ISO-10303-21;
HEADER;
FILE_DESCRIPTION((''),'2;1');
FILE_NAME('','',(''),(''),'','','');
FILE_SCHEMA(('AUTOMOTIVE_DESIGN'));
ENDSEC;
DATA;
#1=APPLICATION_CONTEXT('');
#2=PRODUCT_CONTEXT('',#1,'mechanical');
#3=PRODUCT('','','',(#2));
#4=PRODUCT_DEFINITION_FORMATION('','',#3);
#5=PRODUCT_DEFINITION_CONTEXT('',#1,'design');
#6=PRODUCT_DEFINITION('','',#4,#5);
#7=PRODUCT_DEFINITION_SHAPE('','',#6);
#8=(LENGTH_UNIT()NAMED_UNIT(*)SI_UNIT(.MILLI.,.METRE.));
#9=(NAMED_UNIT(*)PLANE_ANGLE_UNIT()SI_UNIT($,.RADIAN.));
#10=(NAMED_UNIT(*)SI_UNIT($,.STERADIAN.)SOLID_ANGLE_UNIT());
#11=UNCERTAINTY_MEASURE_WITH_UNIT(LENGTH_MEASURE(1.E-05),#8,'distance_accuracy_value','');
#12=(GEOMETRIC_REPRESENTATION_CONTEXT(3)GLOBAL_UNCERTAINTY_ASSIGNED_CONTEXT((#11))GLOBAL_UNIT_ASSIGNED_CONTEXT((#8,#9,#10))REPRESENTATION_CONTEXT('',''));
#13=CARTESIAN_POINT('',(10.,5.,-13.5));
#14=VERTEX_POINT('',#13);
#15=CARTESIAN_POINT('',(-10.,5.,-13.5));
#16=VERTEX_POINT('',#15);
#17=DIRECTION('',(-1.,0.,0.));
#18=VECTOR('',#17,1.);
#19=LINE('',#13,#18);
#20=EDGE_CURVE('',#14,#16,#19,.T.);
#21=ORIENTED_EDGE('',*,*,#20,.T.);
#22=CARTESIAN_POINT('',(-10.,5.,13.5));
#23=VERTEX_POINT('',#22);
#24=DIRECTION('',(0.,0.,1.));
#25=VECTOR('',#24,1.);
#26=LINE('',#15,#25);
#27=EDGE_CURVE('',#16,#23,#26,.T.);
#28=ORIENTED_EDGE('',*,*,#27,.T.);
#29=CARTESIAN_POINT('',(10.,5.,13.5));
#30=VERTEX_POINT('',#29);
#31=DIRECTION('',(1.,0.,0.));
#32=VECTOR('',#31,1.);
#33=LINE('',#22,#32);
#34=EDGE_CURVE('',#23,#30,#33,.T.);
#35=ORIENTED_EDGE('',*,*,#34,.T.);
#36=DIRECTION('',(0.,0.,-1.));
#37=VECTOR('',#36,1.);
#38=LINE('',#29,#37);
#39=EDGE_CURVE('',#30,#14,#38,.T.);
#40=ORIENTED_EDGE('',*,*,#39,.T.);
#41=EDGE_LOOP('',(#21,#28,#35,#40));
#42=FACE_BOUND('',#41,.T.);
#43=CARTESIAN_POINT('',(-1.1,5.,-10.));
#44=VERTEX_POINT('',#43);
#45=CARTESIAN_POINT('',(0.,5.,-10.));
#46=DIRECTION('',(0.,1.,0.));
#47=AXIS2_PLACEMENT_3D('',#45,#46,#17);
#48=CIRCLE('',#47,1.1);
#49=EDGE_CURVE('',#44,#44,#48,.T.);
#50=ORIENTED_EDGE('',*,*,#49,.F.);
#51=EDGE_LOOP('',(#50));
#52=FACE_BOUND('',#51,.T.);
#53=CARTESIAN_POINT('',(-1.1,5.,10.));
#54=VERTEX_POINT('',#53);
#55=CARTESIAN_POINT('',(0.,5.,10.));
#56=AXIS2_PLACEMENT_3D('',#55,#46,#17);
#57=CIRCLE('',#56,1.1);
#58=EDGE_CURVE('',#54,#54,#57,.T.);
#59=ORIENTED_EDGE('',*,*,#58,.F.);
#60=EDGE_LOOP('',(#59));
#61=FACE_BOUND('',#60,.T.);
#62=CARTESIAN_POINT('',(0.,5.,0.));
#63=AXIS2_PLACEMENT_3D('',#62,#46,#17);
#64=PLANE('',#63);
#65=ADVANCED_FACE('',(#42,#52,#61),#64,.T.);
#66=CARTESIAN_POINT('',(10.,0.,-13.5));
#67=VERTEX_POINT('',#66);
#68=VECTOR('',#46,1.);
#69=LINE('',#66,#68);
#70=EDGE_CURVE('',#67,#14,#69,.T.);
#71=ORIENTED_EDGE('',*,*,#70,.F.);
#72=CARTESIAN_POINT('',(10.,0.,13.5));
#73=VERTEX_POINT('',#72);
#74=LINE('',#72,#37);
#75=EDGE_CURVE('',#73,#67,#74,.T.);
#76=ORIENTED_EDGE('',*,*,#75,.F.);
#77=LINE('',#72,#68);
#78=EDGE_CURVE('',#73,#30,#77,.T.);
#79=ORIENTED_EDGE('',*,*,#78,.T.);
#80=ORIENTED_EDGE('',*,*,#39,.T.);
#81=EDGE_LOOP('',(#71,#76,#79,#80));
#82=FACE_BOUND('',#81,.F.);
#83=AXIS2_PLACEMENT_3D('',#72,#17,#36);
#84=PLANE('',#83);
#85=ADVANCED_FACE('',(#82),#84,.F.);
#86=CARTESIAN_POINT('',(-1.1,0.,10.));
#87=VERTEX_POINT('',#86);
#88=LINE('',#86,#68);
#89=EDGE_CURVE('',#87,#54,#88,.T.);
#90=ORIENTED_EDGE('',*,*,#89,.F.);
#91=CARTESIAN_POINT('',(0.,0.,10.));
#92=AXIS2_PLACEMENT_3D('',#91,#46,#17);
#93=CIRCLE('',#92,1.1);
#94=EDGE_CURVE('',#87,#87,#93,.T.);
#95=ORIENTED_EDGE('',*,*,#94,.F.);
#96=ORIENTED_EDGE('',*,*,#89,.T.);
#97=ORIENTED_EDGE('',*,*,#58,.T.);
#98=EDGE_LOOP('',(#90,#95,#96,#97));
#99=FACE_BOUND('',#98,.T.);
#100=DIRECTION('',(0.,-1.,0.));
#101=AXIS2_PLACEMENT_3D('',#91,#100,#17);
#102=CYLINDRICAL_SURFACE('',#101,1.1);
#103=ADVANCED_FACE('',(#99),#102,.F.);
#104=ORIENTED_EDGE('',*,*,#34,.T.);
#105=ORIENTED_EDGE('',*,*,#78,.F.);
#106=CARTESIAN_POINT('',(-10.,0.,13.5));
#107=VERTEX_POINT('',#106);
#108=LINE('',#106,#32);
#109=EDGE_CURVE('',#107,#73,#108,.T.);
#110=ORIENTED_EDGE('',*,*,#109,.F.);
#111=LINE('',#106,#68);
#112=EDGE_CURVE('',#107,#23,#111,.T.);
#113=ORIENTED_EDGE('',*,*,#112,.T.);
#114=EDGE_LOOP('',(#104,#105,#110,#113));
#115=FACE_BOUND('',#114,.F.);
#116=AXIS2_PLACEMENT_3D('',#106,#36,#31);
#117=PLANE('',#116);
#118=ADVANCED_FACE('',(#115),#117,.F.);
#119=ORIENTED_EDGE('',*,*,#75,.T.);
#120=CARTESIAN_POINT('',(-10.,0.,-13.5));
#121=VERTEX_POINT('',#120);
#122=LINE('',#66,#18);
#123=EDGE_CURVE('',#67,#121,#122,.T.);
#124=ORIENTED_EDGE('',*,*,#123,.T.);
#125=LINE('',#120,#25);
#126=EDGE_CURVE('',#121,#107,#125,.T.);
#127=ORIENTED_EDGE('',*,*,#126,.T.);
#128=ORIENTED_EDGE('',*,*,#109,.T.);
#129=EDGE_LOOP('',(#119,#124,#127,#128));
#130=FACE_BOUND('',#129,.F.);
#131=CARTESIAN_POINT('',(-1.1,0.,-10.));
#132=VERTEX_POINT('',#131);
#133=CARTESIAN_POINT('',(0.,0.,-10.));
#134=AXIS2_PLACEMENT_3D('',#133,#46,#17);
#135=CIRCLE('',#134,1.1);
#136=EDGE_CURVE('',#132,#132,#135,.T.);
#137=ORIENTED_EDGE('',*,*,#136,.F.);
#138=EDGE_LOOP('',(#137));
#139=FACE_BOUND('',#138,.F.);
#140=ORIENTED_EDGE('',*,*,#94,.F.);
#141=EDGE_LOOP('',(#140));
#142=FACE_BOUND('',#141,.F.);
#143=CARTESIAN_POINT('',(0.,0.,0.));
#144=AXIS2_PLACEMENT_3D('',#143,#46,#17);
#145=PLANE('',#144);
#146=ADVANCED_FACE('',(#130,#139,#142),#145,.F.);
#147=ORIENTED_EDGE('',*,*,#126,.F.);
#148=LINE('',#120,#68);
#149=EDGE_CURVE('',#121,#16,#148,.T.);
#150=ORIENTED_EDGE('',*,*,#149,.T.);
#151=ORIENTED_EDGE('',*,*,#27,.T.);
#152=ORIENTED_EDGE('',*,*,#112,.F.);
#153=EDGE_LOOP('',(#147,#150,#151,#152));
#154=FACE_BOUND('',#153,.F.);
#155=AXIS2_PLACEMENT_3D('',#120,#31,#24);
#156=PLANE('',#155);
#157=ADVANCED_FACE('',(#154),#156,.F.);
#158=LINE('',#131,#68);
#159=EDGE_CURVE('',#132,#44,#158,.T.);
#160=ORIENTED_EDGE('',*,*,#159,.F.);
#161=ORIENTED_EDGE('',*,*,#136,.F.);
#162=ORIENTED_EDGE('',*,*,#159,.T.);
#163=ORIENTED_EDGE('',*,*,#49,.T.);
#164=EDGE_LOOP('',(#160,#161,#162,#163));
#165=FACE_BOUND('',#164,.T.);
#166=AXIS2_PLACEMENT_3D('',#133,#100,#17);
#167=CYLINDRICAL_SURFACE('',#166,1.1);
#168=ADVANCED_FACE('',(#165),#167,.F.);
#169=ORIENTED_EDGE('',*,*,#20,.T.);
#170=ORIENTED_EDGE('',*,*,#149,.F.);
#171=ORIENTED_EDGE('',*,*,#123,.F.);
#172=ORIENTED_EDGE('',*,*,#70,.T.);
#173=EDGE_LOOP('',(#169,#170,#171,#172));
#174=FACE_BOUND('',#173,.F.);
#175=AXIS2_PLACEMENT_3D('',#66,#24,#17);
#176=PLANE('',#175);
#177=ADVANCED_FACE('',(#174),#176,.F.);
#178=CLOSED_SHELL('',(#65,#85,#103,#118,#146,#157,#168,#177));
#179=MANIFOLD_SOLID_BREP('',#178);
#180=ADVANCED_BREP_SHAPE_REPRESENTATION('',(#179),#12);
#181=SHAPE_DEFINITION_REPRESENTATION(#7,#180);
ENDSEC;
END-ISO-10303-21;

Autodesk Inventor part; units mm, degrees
ref_plane "YZ Plane" through (0, 0, 0) normal (1, 0, 0) x (0, 1, 0)
ref_plane "XZ Plane" through (0, 0, 0) normal (0, 1, 0) x (-1, 0, 0)
ref_plane "XY Plane" through (0, 0, 0) normal (0, 0, 1) x (1, 0, 0)
sketch "Sketch5" plane through (0, 0, 0) normal (0, 1, 0) x (-1, 0, 0)
  line L0 (10, 13.5) -> (-10, 13.5)
  line L1 (-10, 13.5) -> (-10, -13.5)
  line L2 (-10, -13.5) -> (10, -13.5)
  line L3 (10, -13.5) -> (10, 13.5)
  line L4 (0, 13.5) -> (0, -13.5) construction
  line L5 (10, 0) -> (-10, 0) construction
  circle A0 centre (0, 10) radius 1.1
  circle A1 centre (0, -10) radius 1.1
  point P0 (0, 0)
  point P1 (0, 0)
  point P2 (0, 0)
  dimension "d12" = 20
  dimension "d13" = 27
  dimension "d14" = 2.2
  dimension "d15" = 3.5
extrude "Extrusion4" add sketch "Sketch5" along normal blind 5
properties part number "ir_sensor_cap"
